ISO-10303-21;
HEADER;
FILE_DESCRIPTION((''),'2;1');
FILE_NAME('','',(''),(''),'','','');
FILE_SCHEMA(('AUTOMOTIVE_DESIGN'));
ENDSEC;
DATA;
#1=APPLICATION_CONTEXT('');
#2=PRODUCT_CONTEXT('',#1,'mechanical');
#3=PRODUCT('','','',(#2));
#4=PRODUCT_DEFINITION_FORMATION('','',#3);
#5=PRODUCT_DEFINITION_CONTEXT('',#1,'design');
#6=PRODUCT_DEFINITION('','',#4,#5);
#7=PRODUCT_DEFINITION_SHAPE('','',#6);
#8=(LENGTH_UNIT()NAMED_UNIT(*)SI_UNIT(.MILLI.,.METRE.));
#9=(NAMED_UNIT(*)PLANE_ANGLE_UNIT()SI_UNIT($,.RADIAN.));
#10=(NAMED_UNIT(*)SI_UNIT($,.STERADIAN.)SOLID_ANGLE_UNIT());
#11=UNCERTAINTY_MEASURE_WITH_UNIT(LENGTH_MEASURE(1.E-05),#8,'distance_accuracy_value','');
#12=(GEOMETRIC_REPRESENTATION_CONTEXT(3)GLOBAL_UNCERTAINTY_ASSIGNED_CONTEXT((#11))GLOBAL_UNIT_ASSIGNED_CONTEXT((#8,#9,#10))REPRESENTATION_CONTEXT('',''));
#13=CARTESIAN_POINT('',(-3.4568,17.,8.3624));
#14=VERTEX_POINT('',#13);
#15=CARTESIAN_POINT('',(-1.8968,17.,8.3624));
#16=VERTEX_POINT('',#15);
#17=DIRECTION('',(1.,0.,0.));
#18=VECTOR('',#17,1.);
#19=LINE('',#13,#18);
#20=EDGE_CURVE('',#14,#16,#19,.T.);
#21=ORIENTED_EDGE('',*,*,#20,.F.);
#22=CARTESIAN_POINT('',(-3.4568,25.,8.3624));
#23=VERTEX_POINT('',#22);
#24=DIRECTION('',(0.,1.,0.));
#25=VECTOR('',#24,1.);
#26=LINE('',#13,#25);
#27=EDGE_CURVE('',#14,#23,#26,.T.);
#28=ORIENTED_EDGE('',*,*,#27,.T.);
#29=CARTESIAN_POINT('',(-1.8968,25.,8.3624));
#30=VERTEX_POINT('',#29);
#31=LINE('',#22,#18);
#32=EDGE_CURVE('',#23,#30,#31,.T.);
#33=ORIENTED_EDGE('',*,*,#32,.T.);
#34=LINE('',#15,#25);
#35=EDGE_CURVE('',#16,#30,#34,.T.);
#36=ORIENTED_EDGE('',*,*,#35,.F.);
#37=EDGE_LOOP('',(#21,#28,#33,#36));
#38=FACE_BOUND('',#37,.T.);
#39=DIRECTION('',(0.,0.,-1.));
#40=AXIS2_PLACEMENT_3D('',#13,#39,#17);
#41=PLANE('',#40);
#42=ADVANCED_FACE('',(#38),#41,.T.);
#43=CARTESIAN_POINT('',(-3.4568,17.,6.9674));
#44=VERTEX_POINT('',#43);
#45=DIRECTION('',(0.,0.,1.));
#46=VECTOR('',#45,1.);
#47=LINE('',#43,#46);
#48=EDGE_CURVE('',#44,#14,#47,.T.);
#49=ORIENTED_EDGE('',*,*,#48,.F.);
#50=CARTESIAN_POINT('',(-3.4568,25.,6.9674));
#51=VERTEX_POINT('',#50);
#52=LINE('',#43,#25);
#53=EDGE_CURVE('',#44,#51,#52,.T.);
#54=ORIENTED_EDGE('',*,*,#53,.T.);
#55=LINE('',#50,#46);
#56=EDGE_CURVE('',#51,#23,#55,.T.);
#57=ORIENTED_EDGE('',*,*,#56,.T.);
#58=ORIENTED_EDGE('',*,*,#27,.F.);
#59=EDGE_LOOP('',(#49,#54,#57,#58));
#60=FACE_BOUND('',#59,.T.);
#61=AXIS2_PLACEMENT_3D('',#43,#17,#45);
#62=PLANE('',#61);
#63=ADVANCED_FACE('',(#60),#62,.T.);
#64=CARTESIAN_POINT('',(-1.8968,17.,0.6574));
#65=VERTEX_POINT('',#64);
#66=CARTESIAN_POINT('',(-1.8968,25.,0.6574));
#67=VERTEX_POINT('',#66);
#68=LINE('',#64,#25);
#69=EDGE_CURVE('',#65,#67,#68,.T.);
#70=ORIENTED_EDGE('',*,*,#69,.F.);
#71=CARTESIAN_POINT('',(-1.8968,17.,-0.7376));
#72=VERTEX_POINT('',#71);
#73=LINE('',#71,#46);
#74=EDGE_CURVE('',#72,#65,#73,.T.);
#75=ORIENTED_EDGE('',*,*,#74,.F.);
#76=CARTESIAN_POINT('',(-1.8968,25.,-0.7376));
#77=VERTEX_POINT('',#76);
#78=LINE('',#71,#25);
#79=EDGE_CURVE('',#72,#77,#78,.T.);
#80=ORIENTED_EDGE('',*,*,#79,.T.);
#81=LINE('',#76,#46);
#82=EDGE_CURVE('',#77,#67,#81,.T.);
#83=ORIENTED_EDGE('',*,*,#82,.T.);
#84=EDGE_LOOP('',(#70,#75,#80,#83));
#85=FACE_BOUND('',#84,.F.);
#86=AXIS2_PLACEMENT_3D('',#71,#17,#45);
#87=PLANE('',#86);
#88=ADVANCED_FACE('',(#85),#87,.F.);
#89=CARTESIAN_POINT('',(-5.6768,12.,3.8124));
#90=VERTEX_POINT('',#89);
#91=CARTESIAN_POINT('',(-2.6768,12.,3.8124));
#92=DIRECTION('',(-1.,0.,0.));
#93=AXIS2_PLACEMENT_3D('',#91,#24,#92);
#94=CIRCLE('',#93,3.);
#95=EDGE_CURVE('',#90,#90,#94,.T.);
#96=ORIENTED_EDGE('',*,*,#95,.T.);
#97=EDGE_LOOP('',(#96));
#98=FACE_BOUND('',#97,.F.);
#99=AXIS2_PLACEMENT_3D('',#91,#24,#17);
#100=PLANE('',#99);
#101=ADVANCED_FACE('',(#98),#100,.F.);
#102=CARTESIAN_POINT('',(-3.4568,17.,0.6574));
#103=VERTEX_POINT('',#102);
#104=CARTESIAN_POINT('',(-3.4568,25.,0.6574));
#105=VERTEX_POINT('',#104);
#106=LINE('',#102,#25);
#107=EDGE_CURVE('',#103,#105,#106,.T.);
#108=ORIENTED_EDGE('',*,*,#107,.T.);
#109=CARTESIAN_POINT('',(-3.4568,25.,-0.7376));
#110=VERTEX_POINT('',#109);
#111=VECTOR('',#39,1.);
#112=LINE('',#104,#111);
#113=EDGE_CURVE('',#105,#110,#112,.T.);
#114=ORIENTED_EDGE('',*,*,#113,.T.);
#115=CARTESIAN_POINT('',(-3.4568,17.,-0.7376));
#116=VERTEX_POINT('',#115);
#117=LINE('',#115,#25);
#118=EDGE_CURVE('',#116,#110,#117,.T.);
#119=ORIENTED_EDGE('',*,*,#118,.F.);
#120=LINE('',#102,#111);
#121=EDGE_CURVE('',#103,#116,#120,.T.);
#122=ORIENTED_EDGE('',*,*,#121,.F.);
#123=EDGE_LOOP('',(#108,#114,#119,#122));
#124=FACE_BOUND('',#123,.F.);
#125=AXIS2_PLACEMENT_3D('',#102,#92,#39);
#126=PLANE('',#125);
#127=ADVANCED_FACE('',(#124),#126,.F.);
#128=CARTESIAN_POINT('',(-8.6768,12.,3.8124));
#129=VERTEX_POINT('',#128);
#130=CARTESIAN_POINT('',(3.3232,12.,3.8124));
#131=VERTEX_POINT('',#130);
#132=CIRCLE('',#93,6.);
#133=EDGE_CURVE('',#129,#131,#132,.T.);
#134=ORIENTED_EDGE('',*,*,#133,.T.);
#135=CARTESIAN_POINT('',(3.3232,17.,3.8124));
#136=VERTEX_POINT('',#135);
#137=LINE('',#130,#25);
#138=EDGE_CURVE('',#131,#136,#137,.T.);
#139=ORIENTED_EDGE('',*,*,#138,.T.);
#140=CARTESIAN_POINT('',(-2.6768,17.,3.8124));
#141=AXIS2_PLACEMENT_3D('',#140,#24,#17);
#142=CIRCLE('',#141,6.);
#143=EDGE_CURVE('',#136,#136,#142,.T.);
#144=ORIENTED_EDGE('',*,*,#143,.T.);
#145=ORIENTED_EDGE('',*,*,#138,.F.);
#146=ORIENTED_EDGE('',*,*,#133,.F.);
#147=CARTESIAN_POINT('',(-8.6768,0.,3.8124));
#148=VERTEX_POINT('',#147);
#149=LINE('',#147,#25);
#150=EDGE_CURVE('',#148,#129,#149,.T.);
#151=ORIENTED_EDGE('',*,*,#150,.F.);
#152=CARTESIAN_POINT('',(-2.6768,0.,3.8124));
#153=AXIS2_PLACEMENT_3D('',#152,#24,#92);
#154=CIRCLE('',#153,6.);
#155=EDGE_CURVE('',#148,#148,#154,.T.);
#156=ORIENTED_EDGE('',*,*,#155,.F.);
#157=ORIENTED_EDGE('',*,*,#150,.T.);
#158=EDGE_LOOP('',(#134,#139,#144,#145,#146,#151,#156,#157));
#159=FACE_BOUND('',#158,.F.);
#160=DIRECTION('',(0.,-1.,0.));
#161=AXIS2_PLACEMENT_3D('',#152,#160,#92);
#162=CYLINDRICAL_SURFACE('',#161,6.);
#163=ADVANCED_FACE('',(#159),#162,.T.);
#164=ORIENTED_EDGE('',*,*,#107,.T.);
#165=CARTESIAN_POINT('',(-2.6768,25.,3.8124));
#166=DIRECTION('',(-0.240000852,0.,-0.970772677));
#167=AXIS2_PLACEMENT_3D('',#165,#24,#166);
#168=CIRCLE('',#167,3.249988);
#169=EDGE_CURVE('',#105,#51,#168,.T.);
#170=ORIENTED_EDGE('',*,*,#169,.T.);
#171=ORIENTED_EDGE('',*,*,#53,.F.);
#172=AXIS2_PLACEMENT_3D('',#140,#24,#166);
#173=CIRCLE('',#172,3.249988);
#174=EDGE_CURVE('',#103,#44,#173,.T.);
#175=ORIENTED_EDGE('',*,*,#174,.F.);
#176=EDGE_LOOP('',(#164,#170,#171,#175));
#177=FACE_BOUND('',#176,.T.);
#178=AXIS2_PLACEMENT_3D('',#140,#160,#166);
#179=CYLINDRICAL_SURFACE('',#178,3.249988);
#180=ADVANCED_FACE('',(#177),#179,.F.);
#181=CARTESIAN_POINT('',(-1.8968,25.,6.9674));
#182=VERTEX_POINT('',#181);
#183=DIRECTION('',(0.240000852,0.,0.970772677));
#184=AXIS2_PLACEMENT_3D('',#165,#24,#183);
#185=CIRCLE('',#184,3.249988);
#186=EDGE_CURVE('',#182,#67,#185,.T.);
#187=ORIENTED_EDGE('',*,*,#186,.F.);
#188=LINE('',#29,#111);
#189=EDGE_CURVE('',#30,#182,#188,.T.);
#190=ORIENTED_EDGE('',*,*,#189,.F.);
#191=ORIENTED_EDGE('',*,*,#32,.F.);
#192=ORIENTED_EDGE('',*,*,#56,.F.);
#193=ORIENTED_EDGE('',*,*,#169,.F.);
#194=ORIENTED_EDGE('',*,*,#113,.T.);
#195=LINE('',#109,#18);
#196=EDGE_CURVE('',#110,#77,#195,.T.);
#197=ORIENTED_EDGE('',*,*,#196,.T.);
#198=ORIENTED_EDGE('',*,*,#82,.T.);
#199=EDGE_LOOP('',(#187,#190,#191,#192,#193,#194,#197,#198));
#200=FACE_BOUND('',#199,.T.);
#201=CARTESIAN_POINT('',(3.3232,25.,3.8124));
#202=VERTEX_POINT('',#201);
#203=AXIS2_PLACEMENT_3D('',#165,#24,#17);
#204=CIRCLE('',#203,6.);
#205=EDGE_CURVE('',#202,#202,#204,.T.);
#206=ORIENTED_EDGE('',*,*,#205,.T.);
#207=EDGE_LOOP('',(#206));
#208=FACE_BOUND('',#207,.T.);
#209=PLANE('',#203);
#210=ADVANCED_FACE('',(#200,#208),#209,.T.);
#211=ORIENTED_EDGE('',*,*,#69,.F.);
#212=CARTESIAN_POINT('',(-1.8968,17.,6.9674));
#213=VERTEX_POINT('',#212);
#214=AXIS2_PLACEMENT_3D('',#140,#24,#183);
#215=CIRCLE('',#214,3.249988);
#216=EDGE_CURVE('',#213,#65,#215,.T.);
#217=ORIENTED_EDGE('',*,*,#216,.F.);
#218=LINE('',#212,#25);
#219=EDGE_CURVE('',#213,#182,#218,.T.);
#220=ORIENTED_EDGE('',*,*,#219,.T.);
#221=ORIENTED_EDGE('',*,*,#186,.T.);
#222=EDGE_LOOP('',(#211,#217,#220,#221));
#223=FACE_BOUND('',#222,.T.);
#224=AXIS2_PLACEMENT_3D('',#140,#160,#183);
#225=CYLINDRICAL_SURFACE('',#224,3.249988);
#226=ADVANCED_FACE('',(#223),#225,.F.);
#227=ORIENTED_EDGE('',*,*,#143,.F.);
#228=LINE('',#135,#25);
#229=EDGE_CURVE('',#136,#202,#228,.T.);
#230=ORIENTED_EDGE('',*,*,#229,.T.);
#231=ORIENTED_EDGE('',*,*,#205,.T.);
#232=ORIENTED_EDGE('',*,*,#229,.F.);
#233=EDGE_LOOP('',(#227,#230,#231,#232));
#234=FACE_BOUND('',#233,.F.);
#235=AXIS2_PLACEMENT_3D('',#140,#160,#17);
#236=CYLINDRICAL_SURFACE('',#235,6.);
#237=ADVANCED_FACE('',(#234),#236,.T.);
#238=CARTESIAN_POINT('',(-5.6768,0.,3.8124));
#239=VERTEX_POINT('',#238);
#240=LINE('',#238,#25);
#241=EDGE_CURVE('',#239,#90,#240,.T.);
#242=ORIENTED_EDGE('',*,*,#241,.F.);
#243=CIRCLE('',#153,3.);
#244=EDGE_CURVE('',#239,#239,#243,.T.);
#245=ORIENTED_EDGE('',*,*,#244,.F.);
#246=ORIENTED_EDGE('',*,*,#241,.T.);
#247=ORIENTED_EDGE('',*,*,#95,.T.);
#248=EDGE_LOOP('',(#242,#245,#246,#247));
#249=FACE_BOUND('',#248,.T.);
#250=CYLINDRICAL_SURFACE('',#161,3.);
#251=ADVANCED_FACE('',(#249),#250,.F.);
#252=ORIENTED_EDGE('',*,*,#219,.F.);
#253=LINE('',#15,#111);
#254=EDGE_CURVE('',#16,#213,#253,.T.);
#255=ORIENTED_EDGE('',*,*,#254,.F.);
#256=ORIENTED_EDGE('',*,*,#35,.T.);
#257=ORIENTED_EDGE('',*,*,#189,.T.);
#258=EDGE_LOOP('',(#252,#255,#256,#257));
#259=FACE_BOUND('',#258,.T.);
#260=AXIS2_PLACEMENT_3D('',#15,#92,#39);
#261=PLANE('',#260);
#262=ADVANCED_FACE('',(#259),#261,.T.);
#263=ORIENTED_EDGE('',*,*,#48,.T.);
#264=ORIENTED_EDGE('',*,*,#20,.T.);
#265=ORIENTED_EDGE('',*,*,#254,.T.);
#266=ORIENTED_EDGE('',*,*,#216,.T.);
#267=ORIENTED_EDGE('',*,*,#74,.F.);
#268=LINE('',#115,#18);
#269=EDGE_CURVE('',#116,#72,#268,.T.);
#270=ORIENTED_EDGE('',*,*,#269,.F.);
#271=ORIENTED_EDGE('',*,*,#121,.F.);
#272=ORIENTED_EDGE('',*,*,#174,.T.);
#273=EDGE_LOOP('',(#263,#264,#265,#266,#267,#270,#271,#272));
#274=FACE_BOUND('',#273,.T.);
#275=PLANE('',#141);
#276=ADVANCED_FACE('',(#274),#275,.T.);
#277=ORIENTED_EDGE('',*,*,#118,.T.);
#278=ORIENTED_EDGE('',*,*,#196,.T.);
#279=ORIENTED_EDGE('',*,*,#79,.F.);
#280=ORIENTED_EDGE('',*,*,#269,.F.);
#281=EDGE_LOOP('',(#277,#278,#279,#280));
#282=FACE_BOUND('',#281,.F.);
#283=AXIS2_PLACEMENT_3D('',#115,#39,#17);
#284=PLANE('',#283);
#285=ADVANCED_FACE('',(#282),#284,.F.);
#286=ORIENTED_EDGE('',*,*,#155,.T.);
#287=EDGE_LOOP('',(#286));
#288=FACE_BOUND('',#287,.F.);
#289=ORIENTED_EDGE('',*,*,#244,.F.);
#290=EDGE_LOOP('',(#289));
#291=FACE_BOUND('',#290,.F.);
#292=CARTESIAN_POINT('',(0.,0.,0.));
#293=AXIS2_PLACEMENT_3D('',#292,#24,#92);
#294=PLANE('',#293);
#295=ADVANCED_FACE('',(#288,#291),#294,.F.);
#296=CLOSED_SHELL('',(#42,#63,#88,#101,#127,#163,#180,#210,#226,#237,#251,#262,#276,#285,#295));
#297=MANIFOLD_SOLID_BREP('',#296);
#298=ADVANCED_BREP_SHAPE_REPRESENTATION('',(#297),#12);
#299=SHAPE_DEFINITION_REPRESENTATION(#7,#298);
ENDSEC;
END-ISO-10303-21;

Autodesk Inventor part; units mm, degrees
ref_plane "YZ Plane" through (0, 0, 0) normal (1, 0, 0) x (0, 1, 0)
ref_plane "XZ Plane" through (0, 0, 0) normal (0, 1, 0) x (-1, 0, 0)
ref_plane "XY Plane" through (0, 0, 0) normal (0, 0, 1) x (1, 0, 0)
sketch "Szkic1" plane through (0, 0, 0) normal (0, 1, 0) x (-1, 0, 0)
  circle A0 centre (2.6768, 3.8124) radius 6
  circle A1 centre (2.6768, 3.8124) radius 3
  point P0 (0, 0)
  dimension "d1" = 12
  dimension "d2" = 6
extrude "Wyciągnięcie proste1" add sketch "Szkic1" along normal blind 12
sketch "Szkic2" plane through (-2.6768, 12, 3.8124) normal (0, 1, 0) x (1, 0, 0)
  point P0 (2.6768, 3.8124)
sketch "Szkic4" plane through (-2.6768, 12, 3.8124) normal (0, 1, 0) x (1, 0, 0)
  circle A0 centre (0, 0) radius 6
  point P0 (2.6768, 3.8124)
  dimension "d5" = 12
extrude "Wyciągnięcie proste2" add sketch "Szkic4" along normal blind 5
sketch "Szkic5" plane through (-2.6768, 17, 3.8124) normal (0, 1, 0) x (1, 0, 0)
  circle A0 centre (0, 0) radius 6
  arc A1 (-0.78, 3.155) -> (-0.78, -3.155) centre (0, 0) ccw
  line L0 (-0.78, 4.55) -> (0.78, 4.55)
  line L1 (0.78, 4.55) -> (0.78, 3.155)
  line L2 (-0.78, -4.55) -> (0.78, -4.55)
  line L3 (0.78, -4.55) -> (0.78, -3.155)
  line L4 (-0.78, 3.155) -> (-0.78, 4.55)
  arc A2 (0.78, -3.155) -> (0.78, 3.155) centre (0, 0) ccw
  line L5 (-0.78, -3.155) -> (-0.78, -4.55)
  dimension "d8" = 12
  dimension "d10" = 1.56
  dimension "d12" = 1.56
extrude "Wyciągnięcie proste3" add sketch "Szkic5" along normal blind 8
properties part number "BlenderRoll"
